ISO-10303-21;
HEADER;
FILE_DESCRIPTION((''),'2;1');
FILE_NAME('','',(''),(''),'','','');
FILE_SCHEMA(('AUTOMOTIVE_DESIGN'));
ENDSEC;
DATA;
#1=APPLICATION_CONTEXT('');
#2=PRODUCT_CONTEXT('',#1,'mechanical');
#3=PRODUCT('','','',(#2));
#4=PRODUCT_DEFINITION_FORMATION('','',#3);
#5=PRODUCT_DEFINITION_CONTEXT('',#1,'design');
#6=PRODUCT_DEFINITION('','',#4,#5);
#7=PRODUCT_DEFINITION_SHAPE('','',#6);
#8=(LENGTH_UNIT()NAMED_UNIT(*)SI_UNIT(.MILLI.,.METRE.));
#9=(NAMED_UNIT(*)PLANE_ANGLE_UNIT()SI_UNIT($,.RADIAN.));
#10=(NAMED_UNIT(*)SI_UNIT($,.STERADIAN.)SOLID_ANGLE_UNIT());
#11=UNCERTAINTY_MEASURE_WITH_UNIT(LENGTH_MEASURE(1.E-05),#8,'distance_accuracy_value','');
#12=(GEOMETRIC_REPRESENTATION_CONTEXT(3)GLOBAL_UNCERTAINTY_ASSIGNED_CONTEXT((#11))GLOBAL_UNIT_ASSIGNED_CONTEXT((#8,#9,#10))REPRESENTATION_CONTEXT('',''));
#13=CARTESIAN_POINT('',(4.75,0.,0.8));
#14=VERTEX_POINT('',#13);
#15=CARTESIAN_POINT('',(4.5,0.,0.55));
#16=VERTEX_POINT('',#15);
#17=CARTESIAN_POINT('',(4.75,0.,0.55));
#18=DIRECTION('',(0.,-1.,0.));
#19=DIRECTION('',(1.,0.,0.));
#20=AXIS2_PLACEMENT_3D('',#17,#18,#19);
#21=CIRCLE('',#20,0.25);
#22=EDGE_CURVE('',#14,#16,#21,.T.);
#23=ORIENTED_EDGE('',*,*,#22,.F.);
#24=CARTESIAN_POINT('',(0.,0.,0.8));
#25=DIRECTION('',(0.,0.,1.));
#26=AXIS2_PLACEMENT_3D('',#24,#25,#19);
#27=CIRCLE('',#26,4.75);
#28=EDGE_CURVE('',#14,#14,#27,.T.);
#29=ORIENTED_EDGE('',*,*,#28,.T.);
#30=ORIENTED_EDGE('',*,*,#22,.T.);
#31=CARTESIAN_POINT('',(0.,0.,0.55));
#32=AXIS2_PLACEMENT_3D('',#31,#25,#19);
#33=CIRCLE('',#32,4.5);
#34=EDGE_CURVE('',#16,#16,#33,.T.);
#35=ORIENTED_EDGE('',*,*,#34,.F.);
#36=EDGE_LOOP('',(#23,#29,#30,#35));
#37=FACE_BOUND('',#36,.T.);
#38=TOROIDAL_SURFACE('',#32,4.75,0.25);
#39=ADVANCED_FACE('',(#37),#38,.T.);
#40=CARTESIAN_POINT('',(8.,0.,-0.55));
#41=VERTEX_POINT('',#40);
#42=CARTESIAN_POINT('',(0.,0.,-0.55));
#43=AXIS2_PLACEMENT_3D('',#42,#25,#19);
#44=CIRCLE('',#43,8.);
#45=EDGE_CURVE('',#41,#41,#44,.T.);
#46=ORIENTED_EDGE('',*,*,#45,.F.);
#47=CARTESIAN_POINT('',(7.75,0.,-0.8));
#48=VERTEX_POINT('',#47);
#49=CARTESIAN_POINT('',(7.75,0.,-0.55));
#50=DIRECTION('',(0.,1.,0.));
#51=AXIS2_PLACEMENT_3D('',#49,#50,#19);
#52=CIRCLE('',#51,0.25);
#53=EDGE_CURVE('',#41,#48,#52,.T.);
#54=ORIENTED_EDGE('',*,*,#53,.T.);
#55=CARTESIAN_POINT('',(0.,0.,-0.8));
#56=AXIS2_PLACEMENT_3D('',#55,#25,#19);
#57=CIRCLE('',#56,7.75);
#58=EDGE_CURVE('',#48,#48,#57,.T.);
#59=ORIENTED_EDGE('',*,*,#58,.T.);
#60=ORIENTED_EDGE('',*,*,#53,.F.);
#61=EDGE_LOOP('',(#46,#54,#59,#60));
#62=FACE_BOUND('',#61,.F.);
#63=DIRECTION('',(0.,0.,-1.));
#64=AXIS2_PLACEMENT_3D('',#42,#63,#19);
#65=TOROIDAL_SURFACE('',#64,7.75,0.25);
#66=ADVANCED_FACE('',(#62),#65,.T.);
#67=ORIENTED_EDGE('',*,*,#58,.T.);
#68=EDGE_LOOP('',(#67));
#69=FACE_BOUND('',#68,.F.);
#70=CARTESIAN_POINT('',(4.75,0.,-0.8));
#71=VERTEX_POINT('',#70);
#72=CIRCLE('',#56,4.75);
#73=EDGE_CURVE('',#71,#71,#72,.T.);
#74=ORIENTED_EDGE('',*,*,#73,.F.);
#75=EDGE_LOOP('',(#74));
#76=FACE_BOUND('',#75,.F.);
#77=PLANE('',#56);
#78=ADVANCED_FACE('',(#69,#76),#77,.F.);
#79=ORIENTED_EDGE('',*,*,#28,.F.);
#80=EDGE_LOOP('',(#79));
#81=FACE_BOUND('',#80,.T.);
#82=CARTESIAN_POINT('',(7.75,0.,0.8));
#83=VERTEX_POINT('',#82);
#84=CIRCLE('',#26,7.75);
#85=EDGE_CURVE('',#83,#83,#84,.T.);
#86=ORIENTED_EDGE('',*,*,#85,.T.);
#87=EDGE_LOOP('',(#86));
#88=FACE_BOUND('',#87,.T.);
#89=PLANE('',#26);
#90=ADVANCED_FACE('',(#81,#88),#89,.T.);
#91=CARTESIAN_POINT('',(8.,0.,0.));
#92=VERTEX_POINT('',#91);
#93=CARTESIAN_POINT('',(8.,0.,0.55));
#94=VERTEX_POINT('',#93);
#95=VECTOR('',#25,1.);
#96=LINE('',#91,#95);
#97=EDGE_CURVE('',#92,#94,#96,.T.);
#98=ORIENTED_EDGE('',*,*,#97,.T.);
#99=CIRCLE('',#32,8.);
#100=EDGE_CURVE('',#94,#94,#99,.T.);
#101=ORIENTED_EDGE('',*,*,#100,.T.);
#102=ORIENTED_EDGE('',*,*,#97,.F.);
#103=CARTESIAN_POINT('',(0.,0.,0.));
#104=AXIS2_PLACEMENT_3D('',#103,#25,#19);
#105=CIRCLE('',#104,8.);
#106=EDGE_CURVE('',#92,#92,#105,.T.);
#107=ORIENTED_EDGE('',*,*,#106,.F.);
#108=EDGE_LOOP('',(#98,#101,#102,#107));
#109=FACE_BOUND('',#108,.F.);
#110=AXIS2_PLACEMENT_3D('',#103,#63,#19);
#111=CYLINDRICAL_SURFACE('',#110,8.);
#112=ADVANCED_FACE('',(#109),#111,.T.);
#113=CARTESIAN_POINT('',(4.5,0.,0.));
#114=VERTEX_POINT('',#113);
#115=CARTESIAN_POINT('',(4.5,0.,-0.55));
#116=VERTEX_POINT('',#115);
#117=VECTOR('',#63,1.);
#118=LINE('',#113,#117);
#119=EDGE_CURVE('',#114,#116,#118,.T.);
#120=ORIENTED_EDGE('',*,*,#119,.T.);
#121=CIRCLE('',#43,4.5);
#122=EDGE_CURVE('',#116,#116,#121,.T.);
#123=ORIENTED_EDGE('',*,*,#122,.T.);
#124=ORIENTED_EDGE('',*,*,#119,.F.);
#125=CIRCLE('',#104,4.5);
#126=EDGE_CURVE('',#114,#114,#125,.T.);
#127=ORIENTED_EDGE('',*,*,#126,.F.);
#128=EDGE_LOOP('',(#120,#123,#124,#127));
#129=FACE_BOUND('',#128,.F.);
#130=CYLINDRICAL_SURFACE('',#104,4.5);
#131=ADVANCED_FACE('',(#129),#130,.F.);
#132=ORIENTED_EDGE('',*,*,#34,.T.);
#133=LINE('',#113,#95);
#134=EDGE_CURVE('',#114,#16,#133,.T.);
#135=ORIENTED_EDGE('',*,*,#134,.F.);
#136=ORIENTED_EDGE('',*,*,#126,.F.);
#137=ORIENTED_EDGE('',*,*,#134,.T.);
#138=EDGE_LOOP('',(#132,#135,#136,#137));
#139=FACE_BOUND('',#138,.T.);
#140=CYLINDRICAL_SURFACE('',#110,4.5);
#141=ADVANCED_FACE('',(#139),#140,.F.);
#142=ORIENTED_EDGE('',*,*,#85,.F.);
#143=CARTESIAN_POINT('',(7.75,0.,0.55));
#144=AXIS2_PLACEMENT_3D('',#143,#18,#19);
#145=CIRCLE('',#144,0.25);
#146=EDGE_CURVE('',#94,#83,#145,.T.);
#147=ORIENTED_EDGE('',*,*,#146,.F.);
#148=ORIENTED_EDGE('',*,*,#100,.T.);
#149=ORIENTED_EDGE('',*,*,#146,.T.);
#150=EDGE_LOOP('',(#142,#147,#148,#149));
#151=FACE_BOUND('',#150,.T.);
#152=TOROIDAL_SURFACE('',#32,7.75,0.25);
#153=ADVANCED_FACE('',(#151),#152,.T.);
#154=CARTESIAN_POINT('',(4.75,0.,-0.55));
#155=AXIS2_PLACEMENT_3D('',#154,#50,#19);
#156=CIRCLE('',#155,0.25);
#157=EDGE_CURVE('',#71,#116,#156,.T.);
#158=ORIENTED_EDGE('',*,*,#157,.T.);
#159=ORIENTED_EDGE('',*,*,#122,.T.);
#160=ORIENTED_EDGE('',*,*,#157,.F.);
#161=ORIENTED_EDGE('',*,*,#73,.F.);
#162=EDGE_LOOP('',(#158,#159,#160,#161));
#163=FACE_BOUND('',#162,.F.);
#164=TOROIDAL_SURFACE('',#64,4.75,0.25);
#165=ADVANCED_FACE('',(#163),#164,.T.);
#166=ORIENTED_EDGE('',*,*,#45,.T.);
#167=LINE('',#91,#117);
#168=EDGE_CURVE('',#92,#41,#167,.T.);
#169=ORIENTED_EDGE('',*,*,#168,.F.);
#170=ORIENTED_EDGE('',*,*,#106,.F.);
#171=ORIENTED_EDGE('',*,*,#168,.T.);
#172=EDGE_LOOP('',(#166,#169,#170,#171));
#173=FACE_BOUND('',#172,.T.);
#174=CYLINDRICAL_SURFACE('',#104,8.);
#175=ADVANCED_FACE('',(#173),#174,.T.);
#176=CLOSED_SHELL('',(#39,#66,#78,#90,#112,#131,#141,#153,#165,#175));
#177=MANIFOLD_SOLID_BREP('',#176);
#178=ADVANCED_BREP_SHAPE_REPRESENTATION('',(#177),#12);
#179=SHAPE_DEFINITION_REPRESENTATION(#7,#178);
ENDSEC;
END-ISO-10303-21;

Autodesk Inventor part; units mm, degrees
ref_plane "YZ Plane" through (0, 0, 0) normal (1, 0, 0) x (0, 1, 0)
ref_plane "XZ Plane" through (0, 0, 0) normal (0, 1, 0) x (-1, 0, 0)
ref_plane "XY Plane" through (0, 0, 0) normal (0, 0, 1) x (1, 0, 0)
sketch "Skizze1" plane through (0, 0, 0) normal (0, 0, 1) x (1, 0, 0)
  circle A0 centre (0, 0) radius 4.5
  circle A1 centre (0, 0) radius 8
  dimension "d0" = 9
  dimension "d1" = 16
extrude "Extrusion1" add sketch "Skizze1" along normal mid plane 1.6
fillet "Rundung1" radius 0.25 4 edges at (-8, 0, 0.8) (-8, 0, -0.8) (-4.5, 0, 0.8) (-4.5, 0, -0.8)
properties part number "900-80-WASHERS-ISO7091-8" material "Edelstahl"
